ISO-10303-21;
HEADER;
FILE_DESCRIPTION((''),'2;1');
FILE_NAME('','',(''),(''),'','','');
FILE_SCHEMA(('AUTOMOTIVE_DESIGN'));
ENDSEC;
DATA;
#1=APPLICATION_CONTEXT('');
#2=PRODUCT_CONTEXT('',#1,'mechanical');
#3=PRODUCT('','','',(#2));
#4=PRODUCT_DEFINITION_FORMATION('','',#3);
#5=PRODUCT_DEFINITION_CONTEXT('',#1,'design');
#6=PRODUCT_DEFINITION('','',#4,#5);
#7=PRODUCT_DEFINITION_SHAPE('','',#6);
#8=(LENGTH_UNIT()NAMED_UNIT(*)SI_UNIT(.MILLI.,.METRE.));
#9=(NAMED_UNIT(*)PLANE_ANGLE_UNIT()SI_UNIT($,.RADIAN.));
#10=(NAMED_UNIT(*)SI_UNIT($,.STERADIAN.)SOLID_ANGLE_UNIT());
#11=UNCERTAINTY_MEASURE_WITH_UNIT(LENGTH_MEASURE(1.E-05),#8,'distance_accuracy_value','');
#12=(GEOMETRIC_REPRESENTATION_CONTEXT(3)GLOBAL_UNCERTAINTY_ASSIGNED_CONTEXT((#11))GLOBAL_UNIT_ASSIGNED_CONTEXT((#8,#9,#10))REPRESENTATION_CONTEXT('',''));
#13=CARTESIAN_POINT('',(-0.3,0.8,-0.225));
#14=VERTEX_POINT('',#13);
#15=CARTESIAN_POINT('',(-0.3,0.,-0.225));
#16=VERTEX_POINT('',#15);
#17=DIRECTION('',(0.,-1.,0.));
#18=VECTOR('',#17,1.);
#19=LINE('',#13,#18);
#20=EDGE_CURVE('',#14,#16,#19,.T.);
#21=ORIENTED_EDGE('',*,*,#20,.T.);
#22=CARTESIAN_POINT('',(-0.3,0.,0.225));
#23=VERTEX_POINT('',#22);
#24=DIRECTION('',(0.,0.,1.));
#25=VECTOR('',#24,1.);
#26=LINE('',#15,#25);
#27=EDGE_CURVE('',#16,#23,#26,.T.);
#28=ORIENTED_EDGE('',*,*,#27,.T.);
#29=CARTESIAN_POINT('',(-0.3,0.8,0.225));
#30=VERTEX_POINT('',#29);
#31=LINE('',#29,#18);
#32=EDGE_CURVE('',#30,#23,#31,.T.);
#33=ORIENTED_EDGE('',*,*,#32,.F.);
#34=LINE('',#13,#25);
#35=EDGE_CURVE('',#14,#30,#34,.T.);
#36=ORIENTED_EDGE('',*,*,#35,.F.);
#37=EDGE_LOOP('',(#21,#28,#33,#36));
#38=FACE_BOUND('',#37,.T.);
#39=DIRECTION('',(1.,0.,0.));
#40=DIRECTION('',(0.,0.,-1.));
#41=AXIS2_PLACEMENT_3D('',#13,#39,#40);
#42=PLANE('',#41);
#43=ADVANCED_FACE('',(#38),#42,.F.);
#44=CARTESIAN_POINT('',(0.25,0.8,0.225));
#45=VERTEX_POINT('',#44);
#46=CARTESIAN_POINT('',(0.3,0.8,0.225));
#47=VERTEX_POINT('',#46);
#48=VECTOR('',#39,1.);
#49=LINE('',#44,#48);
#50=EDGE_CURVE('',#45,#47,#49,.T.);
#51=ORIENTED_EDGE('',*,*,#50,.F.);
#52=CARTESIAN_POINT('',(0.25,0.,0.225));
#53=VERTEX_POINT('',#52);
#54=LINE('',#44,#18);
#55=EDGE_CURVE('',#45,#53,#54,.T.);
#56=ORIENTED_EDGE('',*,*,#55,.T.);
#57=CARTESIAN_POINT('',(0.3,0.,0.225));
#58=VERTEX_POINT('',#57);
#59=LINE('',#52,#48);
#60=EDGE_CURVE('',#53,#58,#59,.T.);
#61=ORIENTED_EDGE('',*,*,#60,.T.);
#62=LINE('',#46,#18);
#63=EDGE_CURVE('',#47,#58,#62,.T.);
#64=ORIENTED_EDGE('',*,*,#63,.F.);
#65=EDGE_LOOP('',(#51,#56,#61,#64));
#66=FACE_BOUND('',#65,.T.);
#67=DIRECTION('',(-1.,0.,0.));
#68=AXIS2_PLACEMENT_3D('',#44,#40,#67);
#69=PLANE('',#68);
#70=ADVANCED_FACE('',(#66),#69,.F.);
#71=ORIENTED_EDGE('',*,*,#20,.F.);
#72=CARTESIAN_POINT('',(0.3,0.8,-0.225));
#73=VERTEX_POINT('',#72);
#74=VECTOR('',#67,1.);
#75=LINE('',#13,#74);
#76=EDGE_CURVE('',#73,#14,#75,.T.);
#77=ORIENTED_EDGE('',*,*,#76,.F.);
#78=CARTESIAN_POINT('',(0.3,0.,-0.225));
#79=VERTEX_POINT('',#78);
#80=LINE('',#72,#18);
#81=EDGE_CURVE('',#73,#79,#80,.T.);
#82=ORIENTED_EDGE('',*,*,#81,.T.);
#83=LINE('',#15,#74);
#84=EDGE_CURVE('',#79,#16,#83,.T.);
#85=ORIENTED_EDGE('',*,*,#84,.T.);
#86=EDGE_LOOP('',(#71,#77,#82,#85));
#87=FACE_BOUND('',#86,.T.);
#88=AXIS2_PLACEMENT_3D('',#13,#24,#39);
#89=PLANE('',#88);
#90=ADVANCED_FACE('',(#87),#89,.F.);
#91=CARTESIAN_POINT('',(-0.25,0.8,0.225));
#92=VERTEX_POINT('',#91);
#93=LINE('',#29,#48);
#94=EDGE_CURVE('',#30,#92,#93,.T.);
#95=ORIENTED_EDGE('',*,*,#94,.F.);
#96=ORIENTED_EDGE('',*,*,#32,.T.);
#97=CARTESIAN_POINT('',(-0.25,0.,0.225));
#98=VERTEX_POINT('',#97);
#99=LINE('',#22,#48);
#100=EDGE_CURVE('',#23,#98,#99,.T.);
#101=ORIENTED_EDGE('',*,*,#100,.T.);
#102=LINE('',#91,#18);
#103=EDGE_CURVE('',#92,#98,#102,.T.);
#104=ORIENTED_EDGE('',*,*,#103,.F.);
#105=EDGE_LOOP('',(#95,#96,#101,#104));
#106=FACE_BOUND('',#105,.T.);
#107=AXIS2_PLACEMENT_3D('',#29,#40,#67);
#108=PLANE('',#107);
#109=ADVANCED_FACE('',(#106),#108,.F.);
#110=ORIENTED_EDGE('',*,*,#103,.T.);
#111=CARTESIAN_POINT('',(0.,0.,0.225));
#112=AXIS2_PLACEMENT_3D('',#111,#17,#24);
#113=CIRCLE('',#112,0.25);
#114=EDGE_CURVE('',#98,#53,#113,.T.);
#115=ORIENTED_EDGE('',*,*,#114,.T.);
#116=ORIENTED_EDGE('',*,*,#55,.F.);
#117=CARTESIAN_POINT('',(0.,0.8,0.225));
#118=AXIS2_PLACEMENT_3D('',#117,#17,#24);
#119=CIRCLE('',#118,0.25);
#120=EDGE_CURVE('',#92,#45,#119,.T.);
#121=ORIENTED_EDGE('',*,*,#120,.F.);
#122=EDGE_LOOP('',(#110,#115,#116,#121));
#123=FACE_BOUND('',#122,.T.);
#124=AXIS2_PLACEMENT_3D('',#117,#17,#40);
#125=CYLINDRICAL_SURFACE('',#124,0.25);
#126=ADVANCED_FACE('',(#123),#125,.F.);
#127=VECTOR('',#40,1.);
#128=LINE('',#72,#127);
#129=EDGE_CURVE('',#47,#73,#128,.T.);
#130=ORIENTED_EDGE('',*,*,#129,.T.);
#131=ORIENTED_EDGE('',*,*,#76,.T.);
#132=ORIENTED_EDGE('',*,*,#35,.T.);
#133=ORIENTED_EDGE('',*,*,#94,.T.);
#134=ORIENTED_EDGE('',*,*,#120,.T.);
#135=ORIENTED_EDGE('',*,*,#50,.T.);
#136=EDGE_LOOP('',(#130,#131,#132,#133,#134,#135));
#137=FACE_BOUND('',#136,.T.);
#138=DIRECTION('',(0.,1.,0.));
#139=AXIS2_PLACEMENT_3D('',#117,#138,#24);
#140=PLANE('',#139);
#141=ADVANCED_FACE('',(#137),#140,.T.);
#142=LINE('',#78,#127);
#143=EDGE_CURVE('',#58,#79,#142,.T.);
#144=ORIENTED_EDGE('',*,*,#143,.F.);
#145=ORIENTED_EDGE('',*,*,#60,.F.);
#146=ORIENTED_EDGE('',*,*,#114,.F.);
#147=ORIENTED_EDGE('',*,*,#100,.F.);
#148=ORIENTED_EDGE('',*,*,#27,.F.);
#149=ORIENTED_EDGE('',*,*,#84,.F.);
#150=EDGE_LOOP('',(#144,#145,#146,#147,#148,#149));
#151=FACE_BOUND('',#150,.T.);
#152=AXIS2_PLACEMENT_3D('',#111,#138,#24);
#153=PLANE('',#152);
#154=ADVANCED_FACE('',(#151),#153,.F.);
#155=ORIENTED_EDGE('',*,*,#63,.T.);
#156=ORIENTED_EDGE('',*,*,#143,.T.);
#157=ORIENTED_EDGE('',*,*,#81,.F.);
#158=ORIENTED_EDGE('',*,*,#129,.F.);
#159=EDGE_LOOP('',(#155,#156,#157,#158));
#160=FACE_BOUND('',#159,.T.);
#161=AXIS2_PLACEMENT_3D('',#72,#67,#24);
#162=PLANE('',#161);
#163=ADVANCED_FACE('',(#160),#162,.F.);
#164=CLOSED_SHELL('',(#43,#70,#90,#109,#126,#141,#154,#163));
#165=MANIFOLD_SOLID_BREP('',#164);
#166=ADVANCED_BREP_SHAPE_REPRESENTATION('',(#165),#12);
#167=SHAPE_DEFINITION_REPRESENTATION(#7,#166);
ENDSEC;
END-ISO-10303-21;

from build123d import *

# Parameters (mm, degrees)
BOSS_EXTRU_1_DEPTH = 0.8


with BuildPart() as part:
    # Esquisse1 → Boss.-Extru.1 (new body)
    with BuildSketch(Plane(origin=(0, 0, 0), x_dir=(1, 0, 0), z_dir=(0, 1, 0))):
        with BuildLine():
            Line((0.25, -0.225), (0.3, -0.225))
            Line((0.3, -0.225), (0.3, 0.225))
            Line((0.3, 0.225), (-0.3, 0.225))
            Line((-0.3, 0.225), (-0.3, -0.225))
            Line((-0.3, -0.225), (-0.25, -0.225))
            ThreePointArc((-0.25, -0.225), (0, 0.025), (0.25, -0.225))
        make_face()
    extrude(amount=BOSS_EXTRU_1_DEPTH)


solid = part.part
